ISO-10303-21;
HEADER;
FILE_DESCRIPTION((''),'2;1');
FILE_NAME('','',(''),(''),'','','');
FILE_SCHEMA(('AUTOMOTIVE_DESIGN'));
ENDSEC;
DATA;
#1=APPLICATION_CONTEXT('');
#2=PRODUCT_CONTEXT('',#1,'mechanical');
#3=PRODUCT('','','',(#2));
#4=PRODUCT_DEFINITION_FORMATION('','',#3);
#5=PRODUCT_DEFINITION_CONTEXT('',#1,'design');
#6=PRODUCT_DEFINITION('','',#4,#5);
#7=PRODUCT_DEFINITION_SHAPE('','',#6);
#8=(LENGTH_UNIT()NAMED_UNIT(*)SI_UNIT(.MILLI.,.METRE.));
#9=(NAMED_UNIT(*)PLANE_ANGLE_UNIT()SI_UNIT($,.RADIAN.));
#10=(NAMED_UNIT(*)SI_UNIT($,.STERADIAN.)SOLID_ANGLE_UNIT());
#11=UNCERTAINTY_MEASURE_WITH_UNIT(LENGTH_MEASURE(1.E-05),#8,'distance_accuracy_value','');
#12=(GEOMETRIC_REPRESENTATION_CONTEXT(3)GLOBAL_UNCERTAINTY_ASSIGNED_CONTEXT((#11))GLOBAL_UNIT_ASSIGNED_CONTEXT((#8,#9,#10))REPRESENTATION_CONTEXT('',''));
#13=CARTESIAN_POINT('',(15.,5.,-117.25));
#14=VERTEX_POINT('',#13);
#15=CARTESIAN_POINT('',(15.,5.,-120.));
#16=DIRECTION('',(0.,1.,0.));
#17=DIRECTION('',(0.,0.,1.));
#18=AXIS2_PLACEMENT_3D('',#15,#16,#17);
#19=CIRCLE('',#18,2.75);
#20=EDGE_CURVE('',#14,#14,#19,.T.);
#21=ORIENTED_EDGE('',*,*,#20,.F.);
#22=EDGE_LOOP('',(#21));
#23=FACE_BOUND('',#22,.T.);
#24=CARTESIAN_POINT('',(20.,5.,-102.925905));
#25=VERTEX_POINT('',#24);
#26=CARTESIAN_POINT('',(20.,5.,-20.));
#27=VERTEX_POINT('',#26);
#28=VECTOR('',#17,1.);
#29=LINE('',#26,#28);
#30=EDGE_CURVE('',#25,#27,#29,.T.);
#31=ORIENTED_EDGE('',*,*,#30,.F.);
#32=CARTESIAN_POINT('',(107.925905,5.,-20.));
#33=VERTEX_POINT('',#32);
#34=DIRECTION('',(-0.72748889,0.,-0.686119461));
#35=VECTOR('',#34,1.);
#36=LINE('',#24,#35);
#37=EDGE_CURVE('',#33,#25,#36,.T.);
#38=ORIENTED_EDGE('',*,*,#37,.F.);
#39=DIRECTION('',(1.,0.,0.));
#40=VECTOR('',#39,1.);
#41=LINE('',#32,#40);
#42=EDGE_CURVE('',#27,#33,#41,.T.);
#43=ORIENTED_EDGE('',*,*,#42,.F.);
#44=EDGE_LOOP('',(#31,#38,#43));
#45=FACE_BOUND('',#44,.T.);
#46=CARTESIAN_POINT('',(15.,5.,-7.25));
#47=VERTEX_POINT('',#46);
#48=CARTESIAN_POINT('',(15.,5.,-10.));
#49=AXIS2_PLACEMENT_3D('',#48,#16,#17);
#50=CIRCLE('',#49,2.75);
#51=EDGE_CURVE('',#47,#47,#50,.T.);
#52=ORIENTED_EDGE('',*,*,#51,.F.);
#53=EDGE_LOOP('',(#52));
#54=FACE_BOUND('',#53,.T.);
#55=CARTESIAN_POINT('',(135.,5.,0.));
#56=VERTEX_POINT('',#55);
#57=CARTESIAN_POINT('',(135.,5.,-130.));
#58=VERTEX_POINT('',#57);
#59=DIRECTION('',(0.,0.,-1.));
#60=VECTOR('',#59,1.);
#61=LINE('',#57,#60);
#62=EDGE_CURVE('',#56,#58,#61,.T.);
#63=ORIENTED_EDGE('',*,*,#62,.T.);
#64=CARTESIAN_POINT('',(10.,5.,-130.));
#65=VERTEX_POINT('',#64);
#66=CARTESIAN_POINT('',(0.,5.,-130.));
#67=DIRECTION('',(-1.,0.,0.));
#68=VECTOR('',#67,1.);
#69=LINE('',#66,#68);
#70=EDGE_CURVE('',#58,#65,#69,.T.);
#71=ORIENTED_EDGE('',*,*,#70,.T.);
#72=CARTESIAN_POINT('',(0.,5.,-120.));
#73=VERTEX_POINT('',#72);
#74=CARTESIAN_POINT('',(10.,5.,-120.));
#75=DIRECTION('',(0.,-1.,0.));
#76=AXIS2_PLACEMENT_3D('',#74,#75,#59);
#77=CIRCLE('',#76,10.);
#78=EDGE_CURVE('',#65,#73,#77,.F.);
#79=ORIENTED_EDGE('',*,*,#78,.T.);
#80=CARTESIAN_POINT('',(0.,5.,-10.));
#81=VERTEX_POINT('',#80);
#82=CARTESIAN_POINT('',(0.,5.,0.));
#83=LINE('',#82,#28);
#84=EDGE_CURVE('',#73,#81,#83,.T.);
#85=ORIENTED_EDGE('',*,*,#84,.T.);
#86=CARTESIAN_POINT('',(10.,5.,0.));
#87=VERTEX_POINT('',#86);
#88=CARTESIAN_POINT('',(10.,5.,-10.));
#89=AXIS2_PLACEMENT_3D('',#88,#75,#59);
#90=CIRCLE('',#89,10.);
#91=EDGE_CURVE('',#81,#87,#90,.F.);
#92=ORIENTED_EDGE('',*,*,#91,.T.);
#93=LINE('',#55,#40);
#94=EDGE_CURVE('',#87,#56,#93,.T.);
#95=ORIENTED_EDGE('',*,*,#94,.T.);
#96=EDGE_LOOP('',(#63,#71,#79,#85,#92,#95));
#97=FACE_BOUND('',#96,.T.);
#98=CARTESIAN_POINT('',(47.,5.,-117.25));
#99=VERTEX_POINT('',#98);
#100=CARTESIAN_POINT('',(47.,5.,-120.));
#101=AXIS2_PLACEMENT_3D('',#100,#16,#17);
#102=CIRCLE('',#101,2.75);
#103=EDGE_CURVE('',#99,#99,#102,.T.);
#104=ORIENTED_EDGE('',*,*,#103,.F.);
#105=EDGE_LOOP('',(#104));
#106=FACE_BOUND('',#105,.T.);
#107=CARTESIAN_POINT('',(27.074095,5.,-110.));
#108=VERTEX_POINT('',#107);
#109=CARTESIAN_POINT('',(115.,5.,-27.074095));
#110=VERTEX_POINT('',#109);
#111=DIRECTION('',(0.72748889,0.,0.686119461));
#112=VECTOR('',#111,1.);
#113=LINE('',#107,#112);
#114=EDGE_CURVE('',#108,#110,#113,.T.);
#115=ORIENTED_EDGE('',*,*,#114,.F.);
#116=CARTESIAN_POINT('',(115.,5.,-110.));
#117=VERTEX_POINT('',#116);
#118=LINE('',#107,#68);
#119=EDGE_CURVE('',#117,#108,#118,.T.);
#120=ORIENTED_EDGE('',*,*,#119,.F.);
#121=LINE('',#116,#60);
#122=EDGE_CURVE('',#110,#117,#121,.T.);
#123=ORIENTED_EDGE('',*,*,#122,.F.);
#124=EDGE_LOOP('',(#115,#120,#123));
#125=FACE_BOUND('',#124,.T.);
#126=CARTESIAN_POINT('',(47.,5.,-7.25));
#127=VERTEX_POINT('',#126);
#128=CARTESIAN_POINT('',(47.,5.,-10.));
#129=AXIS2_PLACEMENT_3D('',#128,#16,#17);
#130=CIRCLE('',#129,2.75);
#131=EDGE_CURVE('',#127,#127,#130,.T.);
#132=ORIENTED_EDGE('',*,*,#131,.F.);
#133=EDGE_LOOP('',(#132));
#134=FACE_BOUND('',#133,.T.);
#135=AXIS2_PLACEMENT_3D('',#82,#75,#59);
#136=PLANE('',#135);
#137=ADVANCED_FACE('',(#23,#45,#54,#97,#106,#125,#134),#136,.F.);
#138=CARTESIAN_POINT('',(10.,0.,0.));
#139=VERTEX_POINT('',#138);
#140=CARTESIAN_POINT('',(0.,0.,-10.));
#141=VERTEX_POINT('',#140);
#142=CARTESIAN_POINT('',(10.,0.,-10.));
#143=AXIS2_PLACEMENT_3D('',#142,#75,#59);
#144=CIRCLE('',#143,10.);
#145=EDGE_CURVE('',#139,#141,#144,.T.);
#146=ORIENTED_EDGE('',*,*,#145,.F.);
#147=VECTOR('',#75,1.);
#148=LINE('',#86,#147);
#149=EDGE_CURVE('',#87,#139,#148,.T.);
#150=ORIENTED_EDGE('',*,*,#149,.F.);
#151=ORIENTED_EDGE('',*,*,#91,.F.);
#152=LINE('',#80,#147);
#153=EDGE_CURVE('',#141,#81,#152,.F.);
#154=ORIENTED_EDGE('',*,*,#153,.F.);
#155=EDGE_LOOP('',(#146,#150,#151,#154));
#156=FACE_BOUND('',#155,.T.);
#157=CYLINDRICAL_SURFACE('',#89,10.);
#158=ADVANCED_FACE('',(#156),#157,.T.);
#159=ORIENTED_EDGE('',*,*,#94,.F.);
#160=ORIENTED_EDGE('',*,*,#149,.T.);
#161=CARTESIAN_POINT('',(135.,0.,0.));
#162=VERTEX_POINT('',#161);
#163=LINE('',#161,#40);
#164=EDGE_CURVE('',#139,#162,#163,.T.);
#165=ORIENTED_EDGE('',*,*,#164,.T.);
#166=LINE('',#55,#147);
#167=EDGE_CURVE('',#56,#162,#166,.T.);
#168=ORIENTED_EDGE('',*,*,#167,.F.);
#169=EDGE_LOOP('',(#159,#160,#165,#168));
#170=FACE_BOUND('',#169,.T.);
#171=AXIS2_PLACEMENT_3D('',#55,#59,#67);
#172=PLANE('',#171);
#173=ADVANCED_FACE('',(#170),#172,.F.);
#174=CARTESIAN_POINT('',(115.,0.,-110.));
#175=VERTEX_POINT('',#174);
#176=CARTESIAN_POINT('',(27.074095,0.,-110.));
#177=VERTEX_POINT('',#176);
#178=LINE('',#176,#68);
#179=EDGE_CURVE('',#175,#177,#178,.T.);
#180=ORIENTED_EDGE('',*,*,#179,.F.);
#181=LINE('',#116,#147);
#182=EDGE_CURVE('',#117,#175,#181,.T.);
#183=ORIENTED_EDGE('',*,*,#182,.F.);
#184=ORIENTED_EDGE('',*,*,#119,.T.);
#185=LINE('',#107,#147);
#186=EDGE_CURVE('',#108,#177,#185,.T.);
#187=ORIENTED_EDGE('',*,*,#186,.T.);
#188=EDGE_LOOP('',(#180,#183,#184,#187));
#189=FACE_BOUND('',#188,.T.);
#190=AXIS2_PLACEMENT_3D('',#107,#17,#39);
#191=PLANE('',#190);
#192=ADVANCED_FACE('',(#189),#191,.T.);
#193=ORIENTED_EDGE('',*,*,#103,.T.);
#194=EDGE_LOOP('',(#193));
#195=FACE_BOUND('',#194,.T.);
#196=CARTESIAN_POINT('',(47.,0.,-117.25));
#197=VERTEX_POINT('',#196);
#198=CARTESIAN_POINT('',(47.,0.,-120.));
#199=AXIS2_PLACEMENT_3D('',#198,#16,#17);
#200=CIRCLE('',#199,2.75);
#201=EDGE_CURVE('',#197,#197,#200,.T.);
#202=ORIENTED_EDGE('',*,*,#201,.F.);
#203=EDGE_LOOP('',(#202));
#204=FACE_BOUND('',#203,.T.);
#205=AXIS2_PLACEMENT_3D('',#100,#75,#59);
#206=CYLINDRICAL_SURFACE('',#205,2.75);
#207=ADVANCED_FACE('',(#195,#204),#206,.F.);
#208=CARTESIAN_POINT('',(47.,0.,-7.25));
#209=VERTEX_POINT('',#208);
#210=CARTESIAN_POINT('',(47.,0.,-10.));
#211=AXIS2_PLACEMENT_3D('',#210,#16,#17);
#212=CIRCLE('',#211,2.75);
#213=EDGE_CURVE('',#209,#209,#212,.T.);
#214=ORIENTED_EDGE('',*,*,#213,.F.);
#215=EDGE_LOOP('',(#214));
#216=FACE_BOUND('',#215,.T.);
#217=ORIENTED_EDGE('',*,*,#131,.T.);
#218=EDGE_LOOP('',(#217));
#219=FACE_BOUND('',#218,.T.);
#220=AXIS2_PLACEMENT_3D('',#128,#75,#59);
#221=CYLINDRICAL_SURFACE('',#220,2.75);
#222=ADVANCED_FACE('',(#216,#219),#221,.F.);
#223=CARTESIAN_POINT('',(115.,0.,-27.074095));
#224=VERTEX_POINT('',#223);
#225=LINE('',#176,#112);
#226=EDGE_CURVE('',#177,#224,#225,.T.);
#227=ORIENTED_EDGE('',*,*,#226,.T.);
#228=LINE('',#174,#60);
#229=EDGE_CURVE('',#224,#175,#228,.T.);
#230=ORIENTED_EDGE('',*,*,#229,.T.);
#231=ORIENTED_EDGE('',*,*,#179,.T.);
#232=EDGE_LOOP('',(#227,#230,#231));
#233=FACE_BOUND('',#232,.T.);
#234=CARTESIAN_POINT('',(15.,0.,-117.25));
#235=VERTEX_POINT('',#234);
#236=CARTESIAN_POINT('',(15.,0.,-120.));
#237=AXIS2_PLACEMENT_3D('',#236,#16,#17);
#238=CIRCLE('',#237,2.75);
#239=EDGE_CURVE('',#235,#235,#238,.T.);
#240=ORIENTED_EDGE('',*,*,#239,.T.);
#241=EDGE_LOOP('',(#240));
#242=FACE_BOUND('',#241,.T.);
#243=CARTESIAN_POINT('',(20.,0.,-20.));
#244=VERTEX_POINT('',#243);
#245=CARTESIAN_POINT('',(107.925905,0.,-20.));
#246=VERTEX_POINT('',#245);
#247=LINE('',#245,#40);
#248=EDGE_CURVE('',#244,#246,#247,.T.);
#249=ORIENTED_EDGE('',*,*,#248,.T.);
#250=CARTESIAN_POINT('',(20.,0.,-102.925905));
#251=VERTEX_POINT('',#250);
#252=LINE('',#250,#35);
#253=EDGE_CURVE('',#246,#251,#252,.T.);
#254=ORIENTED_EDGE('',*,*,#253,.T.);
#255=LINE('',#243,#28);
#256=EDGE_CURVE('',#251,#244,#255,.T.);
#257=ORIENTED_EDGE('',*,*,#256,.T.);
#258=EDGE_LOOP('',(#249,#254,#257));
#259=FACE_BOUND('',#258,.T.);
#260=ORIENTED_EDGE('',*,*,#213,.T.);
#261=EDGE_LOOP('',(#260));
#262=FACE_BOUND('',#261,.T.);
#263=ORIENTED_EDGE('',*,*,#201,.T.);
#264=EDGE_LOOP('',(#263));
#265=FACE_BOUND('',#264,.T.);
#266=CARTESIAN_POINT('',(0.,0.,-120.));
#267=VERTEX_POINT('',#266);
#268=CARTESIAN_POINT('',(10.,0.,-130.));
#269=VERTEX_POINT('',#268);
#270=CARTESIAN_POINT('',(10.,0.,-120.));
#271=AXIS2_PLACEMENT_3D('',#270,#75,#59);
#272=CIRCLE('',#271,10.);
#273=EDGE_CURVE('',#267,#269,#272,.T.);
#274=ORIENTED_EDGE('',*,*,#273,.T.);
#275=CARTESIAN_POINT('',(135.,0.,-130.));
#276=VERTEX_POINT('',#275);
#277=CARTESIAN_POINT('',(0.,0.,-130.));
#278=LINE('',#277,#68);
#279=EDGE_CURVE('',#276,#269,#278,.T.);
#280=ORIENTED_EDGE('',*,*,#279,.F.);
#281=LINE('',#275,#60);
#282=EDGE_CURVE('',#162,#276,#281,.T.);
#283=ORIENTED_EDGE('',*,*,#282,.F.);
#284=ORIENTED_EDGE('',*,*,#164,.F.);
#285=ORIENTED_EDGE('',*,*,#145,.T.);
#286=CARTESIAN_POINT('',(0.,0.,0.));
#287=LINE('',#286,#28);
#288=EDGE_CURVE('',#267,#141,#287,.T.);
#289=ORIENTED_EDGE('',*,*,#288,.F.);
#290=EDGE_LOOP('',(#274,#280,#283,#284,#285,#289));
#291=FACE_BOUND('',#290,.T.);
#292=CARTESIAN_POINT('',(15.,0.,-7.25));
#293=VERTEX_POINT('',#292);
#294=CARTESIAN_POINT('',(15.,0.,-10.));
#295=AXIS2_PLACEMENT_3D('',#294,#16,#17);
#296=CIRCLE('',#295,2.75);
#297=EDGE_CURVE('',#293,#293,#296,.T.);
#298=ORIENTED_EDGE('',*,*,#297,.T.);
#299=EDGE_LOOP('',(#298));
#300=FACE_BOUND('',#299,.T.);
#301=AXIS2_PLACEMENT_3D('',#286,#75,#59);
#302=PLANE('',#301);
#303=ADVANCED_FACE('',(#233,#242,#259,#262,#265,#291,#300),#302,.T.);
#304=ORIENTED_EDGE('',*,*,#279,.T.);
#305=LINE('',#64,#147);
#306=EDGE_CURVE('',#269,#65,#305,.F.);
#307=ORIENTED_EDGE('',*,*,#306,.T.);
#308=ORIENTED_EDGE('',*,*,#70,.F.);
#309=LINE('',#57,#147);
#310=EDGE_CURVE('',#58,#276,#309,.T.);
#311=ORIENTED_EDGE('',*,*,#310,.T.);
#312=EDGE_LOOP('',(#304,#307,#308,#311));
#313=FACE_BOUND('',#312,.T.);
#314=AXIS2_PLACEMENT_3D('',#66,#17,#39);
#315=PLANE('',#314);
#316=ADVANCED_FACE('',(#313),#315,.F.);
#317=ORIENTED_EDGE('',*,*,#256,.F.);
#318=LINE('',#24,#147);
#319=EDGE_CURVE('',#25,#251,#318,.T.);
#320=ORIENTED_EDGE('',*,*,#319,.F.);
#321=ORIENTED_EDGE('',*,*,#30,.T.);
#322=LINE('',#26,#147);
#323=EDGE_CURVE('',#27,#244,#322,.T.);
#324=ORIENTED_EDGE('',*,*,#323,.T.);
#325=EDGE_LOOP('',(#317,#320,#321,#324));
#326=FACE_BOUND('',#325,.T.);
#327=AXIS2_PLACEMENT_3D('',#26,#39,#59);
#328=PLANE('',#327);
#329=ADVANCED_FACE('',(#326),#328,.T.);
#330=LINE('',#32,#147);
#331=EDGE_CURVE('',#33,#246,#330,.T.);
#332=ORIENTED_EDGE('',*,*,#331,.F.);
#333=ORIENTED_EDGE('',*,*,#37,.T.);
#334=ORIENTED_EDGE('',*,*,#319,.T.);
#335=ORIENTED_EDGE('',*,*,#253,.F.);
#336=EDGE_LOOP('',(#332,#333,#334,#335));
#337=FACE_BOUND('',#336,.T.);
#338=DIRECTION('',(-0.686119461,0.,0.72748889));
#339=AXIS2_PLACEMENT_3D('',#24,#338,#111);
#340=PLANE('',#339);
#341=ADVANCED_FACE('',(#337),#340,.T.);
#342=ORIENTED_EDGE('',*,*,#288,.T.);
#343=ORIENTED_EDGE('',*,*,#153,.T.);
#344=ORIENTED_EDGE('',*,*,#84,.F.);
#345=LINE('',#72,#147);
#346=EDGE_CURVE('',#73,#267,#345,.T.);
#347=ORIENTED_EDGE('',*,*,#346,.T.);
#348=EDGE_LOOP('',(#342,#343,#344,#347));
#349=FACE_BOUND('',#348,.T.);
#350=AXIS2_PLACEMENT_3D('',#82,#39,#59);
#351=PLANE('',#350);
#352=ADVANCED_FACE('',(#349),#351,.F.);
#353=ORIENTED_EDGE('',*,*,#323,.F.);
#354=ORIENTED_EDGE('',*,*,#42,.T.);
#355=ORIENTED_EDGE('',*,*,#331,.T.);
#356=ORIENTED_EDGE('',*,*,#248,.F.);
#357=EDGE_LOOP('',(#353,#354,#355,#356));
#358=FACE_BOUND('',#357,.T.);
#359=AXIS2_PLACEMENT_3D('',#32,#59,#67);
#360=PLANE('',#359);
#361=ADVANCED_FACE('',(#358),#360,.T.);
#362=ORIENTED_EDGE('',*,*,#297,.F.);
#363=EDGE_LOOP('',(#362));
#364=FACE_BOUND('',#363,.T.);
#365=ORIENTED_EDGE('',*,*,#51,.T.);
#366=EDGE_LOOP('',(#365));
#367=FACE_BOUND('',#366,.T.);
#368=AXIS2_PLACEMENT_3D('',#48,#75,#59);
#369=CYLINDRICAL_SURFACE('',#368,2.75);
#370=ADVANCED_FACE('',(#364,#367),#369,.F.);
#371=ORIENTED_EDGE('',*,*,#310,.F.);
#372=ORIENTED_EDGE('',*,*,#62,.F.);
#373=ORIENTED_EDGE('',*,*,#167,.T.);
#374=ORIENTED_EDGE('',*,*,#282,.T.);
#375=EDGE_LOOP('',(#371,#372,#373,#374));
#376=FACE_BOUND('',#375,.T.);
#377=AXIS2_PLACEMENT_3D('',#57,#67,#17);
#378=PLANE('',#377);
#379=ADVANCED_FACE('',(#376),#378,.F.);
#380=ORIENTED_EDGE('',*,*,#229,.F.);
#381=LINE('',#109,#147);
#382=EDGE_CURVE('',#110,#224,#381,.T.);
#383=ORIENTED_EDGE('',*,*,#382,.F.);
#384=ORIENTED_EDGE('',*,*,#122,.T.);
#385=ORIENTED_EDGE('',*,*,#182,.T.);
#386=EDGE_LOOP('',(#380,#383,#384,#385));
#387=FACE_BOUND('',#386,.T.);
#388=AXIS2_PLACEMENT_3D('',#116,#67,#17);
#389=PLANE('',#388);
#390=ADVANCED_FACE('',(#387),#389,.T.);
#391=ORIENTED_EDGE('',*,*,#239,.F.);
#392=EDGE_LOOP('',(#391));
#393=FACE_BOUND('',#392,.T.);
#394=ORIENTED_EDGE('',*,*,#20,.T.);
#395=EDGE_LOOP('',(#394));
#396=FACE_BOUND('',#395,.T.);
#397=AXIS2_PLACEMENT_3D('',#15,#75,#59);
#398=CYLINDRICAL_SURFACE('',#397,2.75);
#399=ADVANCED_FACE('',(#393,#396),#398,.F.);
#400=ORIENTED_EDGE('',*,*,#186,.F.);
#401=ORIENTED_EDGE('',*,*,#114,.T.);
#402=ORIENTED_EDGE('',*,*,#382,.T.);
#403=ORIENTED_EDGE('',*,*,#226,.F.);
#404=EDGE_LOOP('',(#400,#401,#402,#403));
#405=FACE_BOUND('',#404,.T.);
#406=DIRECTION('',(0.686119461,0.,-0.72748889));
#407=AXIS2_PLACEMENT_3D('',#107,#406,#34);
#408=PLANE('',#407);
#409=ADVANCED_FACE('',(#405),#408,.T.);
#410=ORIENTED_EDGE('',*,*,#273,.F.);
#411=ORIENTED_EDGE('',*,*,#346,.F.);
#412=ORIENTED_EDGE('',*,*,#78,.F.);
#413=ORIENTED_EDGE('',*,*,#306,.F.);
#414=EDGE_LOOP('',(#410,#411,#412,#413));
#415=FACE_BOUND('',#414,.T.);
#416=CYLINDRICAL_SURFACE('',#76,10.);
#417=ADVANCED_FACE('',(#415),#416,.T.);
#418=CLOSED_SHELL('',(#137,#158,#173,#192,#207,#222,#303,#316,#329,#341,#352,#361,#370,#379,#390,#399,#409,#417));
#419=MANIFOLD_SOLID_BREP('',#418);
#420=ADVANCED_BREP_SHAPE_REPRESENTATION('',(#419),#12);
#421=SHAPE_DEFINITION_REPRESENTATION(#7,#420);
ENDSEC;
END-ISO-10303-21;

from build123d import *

# Parameters (mm, degrees)
SKETCH1_W           = 135
SKETCH1_H           = 130
SKETCH1_R           = 2.75
BOSS_EXTRUDE2_DEPTH = 5
FILLET1_R           = 10


with BuildPart() as part:
    # Sketch1 → Boss-Extrude2 (new body)
    with BuildSketch(Plane(origin=(0, 0, 0), x_dir=(1, 0, 0), z_dir=(0, 1, 0))):
        with Locations((67.5, 65)):
            Rectangle(SKETCH1_W, SKETCH1_H)
        with Locations(Location((15, 10, 0), (0, 0, 270))):
            Circle(SKETCH1_R, mode=Mode.SUBTRACT)
        with Locations(Location((47, 10, 0), (0, 0, 270))):
            Circle(SKETCH1_R, mode=Mode.SUBTRACT)
        with Locations(Location((15, 120, 0), (0, 0, 270))):
            Circle(SKETCH1_R, mode=Mode.SUBTRACT)
        with Locations(Location((47, 120, 0), (0, 0, 270))):
            Circle(SKETCH1_R, mode=Mode.SUBTRACT)
        Polygon((20, 102.925904836), (107.925904836, 20), (20, 20), align=None, mode=Mode.SUBTRACT)
        Polygon((27.074095164, 110), (115, 27.074095164), (115, 110), align=None, mode=Mode.SUBTRACT)
    extrude(amount=BOSS_EXTRUDE2_DEPTH)

    # Fillet1
    fillet1_edges = [part.edges().sort_by_distance(p)[0] for p in [
        (0, 2.5, 0),
        (0, 2.5, -130),
    ]]
    fillet(fillet1_edges, radius=FILLET1_R)


solid = part.part
